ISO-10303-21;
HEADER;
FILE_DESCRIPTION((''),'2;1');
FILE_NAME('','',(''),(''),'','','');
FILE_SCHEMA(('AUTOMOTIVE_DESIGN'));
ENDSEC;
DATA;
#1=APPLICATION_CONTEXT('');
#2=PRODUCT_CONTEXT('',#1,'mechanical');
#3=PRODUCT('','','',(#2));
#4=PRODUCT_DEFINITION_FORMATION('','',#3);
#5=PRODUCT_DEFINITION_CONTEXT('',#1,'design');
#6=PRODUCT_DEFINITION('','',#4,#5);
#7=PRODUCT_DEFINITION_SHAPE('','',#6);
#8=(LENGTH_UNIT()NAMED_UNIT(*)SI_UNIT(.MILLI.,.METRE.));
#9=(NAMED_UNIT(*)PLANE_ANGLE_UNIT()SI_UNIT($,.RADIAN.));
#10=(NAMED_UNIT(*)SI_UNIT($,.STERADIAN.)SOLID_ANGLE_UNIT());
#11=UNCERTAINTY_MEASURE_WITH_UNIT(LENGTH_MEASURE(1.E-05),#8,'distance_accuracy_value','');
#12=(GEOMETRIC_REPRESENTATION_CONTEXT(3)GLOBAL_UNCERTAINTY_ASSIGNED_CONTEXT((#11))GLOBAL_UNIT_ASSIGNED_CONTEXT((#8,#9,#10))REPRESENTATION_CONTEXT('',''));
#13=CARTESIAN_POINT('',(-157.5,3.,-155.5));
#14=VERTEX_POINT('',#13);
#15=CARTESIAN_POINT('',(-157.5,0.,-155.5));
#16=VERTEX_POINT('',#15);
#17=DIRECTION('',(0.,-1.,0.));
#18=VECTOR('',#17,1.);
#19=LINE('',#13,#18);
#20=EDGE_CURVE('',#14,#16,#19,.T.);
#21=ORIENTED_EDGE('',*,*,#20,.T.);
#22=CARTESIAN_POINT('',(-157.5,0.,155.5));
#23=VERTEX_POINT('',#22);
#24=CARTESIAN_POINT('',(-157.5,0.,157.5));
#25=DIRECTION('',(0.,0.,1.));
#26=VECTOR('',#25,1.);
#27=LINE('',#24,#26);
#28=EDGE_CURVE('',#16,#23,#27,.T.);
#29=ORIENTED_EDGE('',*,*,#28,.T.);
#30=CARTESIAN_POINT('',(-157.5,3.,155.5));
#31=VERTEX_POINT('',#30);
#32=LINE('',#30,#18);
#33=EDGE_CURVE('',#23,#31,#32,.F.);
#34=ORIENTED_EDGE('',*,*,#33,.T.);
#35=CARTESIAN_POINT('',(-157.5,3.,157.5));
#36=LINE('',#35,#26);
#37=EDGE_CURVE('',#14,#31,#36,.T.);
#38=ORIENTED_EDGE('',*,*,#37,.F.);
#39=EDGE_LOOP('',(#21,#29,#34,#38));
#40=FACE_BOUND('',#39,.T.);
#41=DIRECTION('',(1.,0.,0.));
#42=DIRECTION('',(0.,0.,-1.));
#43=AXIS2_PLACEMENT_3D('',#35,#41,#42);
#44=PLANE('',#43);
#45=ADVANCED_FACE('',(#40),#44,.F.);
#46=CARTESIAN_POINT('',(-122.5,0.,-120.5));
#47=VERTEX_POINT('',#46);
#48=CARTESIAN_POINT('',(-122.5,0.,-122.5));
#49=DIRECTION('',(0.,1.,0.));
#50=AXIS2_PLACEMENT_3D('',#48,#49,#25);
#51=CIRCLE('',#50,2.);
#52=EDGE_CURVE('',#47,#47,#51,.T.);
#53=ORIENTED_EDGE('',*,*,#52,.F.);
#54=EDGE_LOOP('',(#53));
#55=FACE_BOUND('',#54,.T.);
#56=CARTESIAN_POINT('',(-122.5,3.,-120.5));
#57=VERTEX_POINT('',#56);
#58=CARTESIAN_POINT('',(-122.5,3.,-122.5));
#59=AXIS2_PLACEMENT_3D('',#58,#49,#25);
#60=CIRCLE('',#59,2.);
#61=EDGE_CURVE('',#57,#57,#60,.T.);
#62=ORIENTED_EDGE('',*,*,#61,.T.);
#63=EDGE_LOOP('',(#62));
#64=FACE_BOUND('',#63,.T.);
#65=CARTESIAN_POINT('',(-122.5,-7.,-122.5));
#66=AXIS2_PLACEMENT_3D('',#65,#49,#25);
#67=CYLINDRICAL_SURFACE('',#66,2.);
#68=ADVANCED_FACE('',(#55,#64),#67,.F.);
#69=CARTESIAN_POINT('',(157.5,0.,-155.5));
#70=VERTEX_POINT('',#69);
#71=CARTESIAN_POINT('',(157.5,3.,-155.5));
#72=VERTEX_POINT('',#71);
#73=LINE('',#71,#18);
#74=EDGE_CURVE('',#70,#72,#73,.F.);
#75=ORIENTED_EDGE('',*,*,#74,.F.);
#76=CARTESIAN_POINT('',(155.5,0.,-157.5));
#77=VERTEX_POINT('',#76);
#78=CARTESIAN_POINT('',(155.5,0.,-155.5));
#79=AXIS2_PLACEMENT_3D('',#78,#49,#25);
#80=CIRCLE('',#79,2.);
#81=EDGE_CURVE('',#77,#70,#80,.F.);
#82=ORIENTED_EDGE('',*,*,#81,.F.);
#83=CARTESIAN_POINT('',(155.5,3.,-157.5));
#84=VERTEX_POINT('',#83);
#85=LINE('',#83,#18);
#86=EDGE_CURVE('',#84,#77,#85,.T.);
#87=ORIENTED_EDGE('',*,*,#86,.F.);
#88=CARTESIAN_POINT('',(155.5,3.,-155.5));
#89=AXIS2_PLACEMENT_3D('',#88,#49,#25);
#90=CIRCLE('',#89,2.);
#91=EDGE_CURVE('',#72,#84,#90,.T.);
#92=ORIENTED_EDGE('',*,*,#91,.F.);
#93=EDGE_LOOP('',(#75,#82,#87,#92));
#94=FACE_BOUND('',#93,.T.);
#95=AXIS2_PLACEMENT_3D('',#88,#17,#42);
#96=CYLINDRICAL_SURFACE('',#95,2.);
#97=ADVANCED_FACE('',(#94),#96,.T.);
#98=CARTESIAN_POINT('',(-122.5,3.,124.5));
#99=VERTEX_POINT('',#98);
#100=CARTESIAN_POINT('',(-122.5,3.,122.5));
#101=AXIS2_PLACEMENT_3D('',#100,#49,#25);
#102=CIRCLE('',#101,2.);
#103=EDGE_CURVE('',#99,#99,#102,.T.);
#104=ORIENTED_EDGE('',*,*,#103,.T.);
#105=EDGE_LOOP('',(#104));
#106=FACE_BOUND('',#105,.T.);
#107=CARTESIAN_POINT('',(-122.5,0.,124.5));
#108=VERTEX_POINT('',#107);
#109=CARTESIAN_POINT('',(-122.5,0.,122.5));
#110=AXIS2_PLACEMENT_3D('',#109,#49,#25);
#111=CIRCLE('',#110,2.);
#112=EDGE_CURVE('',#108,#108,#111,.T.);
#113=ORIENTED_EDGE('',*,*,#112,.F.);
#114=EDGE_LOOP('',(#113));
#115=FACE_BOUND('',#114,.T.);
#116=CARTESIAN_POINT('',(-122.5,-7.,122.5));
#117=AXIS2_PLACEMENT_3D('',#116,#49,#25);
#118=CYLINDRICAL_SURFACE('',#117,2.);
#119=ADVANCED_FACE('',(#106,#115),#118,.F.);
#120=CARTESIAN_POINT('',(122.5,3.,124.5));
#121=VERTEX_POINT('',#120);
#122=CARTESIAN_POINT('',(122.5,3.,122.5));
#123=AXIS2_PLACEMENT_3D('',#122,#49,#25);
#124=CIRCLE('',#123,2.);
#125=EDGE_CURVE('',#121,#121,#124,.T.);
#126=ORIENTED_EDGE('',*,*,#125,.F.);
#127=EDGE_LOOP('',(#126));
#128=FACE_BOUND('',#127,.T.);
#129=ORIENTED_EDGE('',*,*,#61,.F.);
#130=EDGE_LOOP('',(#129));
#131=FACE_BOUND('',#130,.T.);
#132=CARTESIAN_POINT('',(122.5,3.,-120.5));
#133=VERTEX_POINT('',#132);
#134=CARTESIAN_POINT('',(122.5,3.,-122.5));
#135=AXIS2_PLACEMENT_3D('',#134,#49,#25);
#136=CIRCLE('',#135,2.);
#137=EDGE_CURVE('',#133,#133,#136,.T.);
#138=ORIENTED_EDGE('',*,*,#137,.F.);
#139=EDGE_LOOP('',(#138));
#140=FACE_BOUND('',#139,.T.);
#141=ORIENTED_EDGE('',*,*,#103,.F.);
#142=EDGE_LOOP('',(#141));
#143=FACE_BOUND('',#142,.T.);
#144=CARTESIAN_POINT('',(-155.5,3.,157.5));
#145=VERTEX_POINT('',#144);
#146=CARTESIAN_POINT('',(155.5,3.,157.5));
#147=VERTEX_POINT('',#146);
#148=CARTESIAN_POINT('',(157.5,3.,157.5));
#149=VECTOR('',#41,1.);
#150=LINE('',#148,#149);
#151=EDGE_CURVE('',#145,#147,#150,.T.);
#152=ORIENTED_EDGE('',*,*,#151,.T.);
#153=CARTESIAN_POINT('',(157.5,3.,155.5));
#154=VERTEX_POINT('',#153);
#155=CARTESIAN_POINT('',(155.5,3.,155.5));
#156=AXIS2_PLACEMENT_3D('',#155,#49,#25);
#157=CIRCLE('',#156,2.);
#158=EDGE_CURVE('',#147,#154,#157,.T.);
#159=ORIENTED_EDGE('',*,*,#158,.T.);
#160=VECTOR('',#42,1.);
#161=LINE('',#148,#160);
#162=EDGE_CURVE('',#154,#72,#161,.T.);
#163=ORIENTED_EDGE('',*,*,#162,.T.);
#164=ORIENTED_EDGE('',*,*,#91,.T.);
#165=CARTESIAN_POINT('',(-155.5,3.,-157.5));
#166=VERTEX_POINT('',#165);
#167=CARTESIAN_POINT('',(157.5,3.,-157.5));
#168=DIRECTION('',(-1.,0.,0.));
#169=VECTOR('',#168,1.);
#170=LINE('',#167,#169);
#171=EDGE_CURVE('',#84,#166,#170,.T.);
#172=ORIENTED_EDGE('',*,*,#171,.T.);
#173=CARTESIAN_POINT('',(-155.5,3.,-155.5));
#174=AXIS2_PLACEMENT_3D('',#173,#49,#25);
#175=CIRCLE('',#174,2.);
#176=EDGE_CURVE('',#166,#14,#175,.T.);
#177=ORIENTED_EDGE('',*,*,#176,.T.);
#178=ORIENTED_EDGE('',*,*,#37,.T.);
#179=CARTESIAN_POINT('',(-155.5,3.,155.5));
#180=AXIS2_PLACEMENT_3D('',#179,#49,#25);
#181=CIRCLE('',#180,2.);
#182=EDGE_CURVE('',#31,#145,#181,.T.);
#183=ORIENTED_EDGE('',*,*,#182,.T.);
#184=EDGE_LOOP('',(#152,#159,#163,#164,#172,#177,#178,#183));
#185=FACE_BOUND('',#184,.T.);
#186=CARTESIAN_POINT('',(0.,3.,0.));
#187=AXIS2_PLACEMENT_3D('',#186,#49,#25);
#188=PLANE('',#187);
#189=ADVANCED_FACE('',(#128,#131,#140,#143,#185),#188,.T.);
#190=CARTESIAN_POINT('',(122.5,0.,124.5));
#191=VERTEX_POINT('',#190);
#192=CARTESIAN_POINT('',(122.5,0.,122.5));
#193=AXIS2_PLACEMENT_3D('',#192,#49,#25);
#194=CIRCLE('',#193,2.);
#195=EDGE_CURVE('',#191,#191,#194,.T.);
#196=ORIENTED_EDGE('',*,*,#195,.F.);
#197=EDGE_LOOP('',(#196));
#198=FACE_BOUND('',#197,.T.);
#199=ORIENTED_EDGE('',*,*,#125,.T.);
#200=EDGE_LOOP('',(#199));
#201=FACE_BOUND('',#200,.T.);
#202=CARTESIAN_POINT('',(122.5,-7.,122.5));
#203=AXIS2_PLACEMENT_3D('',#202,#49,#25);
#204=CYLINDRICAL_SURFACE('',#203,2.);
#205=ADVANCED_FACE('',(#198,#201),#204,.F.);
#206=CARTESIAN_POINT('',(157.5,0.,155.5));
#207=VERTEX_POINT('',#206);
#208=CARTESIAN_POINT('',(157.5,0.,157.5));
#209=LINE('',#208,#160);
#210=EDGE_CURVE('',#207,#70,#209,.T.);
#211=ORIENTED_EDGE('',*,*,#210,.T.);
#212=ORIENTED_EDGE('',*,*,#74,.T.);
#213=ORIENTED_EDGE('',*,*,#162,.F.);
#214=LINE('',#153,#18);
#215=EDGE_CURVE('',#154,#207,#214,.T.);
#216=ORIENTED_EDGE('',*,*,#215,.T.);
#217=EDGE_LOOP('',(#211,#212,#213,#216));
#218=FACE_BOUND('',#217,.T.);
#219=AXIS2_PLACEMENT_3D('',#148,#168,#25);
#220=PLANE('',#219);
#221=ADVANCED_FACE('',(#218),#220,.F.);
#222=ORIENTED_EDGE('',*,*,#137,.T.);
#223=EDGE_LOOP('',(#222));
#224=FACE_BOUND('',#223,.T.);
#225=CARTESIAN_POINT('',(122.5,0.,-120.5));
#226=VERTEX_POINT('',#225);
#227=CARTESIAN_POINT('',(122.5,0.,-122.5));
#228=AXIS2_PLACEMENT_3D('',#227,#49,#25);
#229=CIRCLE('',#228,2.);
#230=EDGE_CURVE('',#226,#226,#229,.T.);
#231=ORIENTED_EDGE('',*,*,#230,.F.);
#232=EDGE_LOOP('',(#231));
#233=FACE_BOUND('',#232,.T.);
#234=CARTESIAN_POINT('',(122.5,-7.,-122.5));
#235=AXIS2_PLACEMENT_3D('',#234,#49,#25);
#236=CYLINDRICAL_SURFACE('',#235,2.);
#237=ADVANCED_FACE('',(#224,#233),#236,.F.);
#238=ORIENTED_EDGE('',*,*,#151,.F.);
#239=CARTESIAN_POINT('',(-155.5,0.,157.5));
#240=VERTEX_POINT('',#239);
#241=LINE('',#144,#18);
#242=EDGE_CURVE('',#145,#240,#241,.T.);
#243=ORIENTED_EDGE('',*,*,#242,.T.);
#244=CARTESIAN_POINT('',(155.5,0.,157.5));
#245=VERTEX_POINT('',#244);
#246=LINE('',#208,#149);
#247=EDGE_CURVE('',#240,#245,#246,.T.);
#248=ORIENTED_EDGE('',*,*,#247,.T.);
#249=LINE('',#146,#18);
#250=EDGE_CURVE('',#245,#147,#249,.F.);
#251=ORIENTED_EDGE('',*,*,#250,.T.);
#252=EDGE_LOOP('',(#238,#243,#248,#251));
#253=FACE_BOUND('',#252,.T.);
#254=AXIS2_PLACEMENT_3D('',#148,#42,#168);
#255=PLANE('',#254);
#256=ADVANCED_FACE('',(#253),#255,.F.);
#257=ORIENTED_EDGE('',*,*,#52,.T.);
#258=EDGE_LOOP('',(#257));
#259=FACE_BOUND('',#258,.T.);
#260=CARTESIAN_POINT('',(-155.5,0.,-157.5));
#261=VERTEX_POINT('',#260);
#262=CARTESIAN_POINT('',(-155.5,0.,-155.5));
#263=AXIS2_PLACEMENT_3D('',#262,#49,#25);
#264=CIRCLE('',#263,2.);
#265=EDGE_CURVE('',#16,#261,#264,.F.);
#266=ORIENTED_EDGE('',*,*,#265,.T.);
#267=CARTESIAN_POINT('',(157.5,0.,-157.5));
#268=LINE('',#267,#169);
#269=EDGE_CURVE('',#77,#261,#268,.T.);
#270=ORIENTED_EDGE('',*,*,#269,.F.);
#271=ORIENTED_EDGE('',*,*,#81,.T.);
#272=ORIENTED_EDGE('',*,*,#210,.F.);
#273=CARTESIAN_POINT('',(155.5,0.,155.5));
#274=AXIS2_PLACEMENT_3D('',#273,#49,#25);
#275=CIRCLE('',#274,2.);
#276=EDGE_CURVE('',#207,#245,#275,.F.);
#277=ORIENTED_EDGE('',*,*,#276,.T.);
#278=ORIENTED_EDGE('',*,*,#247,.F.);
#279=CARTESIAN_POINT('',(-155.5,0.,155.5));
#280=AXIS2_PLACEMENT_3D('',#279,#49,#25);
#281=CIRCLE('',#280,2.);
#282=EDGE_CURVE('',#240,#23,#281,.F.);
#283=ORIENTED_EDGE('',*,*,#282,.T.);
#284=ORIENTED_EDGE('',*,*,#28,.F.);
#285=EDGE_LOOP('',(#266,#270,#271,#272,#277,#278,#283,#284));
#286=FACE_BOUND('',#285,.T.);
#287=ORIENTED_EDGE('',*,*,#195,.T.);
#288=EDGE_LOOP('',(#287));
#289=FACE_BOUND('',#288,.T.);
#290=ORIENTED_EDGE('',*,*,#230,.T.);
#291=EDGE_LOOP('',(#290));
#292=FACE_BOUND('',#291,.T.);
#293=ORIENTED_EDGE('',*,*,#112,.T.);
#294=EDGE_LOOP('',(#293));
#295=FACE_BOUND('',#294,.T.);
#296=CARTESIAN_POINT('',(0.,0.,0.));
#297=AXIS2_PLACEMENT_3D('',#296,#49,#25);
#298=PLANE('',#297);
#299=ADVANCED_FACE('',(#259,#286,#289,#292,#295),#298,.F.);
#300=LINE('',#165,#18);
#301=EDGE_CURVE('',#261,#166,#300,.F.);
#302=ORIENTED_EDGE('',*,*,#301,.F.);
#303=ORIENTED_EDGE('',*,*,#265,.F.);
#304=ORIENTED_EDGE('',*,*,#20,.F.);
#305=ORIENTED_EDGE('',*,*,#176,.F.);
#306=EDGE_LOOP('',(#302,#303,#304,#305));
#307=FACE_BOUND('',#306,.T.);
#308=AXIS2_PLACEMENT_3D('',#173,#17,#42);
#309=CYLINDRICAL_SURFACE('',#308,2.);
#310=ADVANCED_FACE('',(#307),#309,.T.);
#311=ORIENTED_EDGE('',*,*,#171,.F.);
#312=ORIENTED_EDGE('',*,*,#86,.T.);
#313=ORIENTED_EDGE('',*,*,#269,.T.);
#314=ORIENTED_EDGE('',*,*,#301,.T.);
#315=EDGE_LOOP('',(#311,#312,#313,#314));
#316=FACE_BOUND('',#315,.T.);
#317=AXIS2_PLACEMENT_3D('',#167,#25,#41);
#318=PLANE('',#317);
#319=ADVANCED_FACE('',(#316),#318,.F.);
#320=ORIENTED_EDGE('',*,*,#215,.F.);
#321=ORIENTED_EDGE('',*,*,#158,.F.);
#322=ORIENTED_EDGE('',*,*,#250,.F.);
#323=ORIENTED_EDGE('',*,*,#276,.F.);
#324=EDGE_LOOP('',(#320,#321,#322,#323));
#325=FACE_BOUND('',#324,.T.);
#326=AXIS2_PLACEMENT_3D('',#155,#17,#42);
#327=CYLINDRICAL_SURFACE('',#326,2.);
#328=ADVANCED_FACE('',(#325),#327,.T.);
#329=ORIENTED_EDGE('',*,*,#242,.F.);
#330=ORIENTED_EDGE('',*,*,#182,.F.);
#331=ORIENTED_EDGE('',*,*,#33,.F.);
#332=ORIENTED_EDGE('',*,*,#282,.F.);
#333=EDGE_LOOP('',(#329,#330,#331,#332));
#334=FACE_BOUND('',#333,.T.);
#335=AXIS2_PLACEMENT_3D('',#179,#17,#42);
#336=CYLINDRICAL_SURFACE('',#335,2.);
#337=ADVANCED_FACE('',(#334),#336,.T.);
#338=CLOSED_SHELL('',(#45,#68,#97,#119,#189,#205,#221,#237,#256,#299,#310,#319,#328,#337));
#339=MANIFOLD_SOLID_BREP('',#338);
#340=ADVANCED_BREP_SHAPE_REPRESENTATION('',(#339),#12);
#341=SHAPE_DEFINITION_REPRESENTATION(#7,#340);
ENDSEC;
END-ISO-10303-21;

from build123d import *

# Parameters (mm, degrees)
SKETCH1_W           = 315
SKETCH1_H           = 315
BOSS_EXTRUDE1_DEPTH = 3
SKETCH3_R           = 2
CUT_EXTRUDE1_DEPTH  = 10
FILLET1_R           = 2


with BuildPart() as part:
    # Sketch1 → Boss-Extrude1 (new body)
    with BuildSketch(Plane(origin=(0, 0, 0), x_dir=(1, 0, 0), z_dir=(0, 1, 0))):
        Rectangle(SKETCH1_W, SKETCH1_H)
    extrude(amount=BOSS_EXTRUDE1_DEPTH)

    # Sketch3 → Cut-Extrude1 (cut)
    with BuildSketch(Plane(origin=(0, 3, 0), x_dir=(1, 0, 0), z_dir=(0, 1, 0))):
        with Locations(Location((-122.5, 122.5, 0), (0, 0, 270))):
            Circle(SKETCH3_R)
        with Locations(Location((122.5, 122.5, 0), (0, 0, 270))):
            Circle(SKETCH3_R)
        with Locations(Location((122.5, -122.5, 0), (0, 0, 270))):
            Circle(SKETCH3_R)
        with Locations(Location((-122.5, -122.5, 0), (0, 0, 270))):
            Circle(SKETCH3_R)
    extrude(amount=-CUT_EXTRUDE1_DEPTH, mode=Mode.SUBTRACT)

    # Fillet1
    fillet1_edges = [part.edges().sort_by_distance(p)[0] for p in [
        (-157.5, 1.5, -157.5),
        (157.5, 1.5, -157.5),
        (157.5, 1.5, 157.5),
        (-157.5, 1.5, 157.5),
    ]]
    fillet(fillet1_edges, radius=FILLET1_R)


solid = part.part
